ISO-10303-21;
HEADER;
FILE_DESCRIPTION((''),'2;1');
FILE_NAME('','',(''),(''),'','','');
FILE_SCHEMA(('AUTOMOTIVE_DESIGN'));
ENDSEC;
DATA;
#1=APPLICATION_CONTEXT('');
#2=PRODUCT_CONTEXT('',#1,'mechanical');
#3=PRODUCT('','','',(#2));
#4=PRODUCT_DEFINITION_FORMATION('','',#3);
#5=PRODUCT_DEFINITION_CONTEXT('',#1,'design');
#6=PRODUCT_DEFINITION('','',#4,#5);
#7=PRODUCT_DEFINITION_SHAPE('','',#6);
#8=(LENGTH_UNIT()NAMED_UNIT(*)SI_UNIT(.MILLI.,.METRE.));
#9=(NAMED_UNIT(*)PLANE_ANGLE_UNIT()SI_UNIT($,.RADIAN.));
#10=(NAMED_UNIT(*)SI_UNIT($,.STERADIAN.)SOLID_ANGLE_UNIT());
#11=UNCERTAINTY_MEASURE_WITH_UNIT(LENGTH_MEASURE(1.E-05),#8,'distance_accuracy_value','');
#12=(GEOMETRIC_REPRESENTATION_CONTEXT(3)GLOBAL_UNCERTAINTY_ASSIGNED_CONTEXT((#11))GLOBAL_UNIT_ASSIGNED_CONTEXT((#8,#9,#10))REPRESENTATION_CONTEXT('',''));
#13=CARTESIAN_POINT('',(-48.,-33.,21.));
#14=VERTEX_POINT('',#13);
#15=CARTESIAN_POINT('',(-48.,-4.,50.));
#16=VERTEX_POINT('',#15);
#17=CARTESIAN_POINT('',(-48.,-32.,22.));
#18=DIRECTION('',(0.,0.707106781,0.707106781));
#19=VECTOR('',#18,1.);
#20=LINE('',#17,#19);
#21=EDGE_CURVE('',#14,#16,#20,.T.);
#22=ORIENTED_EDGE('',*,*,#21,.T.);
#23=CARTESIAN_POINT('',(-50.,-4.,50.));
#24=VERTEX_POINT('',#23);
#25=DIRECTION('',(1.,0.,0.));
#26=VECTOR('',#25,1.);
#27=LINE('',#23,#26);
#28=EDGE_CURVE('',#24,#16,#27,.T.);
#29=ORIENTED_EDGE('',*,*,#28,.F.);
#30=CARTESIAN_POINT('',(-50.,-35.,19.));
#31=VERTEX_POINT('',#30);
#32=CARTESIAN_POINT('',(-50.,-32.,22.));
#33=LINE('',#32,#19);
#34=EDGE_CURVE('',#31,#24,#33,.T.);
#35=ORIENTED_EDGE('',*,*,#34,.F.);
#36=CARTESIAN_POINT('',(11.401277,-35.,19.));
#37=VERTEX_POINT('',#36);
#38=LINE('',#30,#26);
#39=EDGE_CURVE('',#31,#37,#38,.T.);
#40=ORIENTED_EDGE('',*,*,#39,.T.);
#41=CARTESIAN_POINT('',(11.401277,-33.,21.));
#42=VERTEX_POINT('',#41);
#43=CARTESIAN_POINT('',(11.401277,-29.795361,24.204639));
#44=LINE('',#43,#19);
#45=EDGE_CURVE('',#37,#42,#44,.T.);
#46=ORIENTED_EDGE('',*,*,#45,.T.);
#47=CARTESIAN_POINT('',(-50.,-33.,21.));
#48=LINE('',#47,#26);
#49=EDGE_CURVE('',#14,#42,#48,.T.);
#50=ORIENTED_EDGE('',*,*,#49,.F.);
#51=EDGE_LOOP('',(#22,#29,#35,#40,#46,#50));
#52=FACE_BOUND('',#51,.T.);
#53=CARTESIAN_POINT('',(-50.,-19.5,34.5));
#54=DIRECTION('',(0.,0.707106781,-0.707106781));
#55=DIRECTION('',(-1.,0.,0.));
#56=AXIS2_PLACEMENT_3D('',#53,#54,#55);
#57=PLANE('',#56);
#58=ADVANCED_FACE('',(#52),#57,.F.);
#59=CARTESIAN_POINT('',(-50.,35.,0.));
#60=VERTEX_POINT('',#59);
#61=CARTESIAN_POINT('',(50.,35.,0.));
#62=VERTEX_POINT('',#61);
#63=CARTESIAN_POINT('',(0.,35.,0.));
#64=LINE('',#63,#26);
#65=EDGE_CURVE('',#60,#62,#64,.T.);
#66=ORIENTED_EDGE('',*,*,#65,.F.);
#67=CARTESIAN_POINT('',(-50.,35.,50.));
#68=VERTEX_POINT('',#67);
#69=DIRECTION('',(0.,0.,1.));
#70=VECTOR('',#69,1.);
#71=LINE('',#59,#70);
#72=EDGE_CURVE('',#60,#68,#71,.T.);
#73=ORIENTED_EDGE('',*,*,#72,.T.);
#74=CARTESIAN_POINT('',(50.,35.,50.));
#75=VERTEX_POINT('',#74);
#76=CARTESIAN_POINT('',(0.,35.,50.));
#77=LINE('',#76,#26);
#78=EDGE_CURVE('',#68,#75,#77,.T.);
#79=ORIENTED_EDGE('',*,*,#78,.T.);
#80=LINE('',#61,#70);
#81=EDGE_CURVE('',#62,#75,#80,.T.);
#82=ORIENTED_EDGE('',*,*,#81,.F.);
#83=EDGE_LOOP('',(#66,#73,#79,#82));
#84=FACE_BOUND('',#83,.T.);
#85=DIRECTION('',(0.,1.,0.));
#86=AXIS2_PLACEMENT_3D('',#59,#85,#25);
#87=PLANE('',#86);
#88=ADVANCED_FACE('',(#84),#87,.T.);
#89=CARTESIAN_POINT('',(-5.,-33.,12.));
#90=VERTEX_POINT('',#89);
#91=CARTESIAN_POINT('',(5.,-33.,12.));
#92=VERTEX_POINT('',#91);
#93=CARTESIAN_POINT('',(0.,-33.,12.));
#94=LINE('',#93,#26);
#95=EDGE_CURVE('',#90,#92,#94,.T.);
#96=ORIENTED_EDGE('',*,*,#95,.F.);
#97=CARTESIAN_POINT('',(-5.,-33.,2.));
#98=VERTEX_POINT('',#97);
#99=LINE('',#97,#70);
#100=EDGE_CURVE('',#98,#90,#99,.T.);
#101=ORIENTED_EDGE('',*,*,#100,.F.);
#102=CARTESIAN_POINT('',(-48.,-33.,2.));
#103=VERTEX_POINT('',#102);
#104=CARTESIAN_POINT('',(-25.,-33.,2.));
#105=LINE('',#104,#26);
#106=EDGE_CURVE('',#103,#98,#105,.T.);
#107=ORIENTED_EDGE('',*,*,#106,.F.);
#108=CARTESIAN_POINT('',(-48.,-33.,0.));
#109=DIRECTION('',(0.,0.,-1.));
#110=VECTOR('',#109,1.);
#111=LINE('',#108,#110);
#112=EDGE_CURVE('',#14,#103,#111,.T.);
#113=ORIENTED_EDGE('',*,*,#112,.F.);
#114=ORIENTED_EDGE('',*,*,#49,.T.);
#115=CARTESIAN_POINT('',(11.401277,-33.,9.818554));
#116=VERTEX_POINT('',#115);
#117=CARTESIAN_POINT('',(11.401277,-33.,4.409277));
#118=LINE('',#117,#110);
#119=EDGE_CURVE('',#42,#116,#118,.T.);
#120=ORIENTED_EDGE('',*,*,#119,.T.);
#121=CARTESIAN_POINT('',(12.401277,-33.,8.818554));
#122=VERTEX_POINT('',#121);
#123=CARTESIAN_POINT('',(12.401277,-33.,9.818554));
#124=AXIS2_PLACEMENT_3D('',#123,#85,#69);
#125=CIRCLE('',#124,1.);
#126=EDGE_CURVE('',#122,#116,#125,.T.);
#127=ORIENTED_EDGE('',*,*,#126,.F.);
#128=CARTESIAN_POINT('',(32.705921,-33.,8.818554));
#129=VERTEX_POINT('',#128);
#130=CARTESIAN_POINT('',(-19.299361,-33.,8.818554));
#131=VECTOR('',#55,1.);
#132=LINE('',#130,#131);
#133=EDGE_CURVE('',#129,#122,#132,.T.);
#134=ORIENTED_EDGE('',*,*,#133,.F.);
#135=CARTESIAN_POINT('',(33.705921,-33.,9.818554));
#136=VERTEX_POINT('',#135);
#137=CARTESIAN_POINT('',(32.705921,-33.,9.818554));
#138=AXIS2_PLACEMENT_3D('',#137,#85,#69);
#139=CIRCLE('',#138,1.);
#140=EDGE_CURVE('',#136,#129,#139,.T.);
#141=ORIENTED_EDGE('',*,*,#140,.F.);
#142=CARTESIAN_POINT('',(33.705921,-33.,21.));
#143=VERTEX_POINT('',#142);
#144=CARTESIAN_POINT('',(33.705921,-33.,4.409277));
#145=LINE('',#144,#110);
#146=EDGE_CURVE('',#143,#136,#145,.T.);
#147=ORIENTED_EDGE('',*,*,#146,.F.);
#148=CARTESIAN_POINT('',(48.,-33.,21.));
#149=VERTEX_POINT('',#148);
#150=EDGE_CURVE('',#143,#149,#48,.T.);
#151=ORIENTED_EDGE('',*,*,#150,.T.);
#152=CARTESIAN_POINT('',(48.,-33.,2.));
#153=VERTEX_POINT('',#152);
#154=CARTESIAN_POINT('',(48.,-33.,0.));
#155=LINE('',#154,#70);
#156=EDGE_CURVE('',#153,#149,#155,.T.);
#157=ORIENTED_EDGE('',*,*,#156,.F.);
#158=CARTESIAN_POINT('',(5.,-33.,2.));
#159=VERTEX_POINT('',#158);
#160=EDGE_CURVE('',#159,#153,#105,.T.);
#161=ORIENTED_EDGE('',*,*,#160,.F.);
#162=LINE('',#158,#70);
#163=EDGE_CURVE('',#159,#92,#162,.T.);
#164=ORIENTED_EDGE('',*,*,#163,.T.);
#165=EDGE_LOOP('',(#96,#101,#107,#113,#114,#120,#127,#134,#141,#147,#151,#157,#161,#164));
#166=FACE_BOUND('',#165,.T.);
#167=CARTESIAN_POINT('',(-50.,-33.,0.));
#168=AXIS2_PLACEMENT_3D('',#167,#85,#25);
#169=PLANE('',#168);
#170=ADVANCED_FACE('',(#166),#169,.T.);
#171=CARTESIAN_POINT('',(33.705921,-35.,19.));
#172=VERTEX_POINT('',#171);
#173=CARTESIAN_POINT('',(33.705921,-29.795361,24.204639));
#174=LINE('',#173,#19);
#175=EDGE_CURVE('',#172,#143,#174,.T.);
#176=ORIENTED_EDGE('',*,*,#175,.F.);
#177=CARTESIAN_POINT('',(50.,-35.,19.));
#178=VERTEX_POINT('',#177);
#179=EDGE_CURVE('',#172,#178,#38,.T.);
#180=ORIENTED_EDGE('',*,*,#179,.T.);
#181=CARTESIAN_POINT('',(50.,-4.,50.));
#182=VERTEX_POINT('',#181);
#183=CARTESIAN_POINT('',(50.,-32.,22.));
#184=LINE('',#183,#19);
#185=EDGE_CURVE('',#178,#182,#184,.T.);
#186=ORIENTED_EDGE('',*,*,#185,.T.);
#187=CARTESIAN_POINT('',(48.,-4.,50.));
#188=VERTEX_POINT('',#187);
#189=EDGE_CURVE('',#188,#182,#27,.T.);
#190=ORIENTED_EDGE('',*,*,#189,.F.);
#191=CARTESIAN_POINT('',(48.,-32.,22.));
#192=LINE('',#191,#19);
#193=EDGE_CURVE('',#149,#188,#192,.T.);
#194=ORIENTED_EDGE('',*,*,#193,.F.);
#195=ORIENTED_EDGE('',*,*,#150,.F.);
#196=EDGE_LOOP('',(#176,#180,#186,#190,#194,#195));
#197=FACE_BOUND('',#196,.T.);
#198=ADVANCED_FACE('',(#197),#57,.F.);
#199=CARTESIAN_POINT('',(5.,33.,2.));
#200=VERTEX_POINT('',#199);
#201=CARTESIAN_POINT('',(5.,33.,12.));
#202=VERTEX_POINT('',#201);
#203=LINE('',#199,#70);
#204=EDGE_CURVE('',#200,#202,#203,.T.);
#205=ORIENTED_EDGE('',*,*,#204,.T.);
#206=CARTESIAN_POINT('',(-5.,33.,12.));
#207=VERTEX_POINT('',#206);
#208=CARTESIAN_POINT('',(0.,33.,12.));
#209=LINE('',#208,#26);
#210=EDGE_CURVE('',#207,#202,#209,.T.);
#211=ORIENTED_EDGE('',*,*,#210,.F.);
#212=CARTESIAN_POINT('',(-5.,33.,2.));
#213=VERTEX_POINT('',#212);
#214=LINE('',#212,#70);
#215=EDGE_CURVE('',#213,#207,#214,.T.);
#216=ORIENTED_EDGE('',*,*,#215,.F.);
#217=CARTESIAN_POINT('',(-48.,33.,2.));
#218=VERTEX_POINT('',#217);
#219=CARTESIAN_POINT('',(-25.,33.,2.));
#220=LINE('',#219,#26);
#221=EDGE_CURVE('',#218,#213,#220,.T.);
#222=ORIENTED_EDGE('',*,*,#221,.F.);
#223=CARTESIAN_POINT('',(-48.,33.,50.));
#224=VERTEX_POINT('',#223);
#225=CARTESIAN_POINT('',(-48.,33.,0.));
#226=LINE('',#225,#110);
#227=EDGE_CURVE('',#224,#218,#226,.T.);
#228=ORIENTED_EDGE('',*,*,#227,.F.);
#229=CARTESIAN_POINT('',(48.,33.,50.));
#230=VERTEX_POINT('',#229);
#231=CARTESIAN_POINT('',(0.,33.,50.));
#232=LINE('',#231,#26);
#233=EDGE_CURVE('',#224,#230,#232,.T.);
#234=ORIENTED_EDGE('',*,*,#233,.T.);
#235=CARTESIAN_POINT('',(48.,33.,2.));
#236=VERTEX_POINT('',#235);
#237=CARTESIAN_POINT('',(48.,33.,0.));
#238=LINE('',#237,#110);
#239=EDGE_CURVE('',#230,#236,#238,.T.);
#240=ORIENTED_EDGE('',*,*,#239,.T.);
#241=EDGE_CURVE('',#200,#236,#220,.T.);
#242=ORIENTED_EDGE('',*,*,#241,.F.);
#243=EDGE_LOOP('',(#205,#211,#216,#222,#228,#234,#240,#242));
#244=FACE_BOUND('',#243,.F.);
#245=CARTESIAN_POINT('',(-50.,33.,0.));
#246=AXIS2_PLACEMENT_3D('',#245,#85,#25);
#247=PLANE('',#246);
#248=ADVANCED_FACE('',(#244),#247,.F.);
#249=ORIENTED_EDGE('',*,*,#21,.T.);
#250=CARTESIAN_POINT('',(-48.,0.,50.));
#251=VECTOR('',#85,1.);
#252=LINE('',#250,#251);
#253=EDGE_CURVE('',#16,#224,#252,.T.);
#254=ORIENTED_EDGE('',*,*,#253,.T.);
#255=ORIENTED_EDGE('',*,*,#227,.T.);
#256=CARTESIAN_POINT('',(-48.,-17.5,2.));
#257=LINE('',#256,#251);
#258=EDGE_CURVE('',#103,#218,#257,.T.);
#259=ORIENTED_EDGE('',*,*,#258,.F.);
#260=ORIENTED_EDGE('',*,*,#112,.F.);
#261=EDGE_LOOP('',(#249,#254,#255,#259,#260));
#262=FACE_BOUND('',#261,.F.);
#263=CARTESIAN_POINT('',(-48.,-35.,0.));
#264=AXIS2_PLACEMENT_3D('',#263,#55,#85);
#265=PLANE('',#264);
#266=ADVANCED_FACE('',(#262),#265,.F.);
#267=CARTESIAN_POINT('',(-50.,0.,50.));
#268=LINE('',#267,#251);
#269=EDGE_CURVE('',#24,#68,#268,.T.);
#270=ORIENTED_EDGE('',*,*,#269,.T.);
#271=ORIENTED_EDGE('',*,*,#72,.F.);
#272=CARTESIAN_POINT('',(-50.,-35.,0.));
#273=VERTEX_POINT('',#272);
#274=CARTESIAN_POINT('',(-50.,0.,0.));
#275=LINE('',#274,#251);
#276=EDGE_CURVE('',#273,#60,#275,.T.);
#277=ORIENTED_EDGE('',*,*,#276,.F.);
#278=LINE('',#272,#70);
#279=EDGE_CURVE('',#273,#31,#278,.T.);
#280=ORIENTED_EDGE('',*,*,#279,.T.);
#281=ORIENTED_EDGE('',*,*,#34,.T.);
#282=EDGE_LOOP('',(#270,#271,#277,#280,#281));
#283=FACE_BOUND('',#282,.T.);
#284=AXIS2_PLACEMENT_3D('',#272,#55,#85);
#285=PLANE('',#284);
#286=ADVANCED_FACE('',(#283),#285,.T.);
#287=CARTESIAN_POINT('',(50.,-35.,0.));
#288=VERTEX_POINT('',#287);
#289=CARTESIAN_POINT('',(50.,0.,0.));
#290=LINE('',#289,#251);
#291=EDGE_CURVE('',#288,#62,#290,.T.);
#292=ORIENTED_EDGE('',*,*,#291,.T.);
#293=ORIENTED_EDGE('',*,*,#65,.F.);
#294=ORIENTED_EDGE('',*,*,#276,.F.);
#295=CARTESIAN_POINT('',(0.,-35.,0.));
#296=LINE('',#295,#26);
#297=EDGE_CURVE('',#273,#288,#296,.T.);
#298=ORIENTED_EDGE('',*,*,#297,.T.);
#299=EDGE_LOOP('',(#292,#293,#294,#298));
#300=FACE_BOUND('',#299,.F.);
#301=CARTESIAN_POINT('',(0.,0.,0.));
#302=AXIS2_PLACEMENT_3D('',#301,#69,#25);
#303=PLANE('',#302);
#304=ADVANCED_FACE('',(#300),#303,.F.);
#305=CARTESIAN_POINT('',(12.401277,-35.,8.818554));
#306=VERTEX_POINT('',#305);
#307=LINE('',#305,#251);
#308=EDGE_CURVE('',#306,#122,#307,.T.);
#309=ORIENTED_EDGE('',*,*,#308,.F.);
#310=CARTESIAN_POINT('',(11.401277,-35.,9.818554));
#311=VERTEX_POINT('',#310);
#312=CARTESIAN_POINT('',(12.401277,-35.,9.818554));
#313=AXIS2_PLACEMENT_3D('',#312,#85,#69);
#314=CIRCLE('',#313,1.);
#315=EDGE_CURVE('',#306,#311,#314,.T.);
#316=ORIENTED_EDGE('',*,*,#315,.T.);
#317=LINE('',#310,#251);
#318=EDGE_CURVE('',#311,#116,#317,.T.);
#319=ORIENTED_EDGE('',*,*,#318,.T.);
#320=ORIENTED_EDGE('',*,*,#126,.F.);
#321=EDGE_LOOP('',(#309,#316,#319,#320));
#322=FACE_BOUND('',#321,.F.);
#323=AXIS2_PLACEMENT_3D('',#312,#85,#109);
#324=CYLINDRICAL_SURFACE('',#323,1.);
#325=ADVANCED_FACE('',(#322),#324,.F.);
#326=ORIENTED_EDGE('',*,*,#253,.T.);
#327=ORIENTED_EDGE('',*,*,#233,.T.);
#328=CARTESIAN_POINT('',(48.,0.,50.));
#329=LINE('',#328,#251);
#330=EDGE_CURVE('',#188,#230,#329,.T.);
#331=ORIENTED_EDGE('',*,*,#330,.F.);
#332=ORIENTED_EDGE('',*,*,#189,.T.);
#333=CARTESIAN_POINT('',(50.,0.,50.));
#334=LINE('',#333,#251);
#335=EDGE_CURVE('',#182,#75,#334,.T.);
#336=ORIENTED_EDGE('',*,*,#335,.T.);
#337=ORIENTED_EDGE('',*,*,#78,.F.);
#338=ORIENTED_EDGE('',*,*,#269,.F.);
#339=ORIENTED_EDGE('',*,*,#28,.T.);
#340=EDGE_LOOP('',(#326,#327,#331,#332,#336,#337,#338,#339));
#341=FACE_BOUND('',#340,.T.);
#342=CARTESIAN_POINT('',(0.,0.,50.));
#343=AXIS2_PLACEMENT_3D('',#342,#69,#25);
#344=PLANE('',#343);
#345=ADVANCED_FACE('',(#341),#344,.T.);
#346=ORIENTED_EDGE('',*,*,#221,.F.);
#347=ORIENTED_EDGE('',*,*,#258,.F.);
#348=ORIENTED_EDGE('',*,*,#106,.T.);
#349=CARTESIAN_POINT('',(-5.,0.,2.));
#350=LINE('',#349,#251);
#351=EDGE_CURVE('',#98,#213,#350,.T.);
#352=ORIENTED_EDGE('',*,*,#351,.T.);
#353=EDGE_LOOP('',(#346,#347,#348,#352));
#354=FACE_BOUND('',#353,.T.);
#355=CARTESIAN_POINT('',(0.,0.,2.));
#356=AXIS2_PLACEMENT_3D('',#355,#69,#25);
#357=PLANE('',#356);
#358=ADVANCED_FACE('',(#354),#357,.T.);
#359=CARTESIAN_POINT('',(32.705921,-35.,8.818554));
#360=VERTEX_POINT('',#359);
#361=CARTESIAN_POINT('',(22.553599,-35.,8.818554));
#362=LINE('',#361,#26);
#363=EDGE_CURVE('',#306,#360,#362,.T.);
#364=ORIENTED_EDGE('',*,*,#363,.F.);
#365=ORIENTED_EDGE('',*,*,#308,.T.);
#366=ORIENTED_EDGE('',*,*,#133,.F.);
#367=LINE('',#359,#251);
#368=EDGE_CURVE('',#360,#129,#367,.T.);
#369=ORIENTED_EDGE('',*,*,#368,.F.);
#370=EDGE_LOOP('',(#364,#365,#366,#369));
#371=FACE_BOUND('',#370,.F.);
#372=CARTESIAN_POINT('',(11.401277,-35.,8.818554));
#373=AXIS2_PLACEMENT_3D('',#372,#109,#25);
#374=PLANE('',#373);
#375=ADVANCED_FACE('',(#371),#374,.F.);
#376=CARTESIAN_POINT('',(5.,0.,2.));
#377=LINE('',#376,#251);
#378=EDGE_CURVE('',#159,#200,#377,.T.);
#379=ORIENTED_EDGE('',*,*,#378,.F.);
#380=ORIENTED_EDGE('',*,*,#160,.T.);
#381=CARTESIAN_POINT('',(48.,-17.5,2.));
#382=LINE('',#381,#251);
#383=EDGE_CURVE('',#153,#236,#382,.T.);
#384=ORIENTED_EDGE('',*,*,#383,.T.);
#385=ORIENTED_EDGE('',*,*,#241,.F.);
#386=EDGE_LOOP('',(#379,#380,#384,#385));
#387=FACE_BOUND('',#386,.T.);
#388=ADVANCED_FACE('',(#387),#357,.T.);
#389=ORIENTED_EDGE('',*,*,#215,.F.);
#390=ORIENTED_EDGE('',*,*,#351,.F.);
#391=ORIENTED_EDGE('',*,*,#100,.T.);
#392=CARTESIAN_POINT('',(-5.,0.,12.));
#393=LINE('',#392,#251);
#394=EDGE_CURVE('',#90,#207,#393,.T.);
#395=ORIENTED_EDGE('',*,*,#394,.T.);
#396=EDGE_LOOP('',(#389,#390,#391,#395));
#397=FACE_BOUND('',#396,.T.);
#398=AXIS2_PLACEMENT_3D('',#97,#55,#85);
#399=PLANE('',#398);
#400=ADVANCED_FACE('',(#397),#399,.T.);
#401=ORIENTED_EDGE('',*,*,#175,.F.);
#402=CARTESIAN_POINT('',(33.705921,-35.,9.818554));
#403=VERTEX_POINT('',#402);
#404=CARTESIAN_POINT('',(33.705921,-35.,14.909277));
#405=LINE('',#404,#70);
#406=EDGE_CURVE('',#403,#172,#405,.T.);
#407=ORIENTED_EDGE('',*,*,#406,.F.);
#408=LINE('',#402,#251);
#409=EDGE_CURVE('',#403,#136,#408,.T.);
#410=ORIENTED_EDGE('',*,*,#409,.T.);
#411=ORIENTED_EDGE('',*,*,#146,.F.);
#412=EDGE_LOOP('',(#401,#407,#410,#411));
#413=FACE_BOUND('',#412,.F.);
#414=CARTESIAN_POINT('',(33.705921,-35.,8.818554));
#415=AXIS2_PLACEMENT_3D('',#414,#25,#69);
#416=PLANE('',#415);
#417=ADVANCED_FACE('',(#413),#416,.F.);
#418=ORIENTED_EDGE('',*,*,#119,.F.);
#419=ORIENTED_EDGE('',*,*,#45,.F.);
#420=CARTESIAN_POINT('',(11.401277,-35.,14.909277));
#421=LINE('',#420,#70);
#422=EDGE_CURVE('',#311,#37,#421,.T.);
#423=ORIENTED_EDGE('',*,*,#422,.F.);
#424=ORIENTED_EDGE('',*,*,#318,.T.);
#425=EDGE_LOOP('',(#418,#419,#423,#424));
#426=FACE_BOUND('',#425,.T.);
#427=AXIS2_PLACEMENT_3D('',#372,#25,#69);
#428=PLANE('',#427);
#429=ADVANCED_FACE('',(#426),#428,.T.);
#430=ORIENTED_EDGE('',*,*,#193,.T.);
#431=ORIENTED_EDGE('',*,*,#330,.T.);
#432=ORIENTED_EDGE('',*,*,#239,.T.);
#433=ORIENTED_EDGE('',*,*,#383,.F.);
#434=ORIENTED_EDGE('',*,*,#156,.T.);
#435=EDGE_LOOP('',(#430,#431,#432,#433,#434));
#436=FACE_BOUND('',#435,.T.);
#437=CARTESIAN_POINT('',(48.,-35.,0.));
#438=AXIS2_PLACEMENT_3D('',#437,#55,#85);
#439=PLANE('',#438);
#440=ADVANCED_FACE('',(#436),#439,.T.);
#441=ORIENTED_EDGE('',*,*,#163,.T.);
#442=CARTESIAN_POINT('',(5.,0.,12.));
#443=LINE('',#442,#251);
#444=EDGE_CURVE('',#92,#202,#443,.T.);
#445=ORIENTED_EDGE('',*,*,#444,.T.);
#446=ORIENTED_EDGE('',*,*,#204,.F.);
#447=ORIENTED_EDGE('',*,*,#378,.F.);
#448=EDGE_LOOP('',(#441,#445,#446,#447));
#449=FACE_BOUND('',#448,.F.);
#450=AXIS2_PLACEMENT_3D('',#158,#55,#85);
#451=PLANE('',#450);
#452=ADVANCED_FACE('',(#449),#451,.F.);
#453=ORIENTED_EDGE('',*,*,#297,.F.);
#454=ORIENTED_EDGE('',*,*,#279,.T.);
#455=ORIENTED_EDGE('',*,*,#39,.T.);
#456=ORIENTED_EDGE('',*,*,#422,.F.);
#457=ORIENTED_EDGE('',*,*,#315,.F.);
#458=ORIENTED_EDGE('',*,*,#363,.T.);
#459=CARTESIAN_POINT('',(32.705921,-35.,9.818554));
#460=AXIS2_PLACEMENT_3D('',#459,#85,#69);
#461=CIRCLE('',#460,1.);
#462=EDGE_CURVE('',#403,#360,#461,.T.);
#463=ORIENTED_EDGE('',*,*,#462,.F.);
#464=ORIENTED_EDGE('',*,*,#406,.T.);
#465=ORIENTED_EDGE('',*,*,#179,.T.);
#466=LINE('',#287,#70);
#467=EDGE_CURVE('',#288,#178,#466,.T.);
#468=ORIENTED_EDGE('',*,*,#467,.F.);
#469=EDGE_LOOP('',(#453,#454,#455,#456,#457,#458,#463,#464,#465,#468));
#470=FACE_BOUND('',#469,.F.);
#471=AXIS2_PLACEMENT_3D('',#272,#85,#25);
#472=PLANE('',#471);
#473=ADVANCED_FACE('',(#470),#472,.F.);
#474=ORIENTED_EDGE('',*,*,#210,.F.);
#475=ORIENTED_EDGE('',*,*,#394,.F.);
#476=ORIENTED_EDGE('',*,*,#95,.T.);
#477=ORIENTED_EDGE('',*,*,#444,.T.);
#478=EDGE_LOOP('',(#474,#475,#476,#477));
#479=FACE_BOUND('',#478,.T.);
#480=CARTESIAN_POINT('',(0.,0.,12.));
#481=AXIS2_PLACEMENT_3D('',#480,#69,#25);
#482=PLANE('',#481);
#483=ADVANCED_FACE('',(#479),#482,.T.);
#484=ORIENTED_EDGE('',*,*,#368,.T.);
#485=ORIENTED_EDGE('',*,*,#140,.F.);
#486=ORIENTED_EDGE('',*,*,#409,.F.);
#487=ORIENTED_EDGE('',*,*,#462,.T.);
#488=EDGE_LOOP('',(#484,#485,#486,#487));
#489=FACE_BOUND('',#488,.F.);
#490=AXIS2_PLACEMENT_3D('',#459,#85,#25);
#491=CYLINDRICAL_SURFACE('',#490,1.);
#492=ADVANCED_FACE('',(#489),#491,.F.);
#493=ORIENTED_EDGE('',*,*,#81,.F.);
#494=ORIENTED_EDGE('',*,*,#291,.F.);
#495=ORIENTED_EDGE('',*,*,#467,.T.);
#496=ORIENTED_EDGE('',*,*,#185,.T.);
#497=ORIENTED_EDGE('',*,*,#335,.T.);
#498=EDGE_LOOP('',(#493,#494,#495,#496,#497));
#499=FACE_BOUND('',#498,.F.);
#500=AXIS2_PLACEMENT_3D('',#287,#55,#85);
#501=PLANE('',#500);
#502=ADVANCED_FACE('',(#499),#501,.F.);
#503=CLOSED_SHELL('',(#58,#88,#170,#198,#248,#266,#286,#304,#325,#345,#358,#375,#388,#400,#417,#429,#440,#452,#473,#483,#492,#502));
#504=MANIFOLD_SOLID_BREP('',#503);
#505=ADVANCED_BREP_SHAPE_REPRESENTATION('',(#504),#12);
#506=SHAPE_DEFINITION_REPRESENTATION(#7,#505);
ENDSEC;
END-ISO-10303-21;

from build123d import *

# Parameters (mm, degrees)
SKETCH_W     = 100
SKETCH_H     = 70
PAD_DEPTH    = 50
CHAMFER_SIZE = 31
THICKNESS_T  = -2
SKETCH001_W  = 10
SKETCH001_H  = 66
PAD001_DEPTH = 10
SKETCH002_W  = 22.304644
SKETCH002_H  = 12.181445
POCKET_DEPTH = 11
FILLET_R     = 1


with BuildPart() as part:
    # Sketch → Pad (new body)
    with BuildSketch(Plane.XY):
        Rectangle(SKETCH_W, SKETCH_H)
    extrude(amount=PAD_DEPTH)

    # Chamfer
    chamfer_edges = [part.edges().sort_by_distance(p)[0] for p in [
        (0, -35, 50),
    ]]
    chamfer(chamfer_edges, length=CHAMFER_SIZE)

    # Thickness
    thickness_openings = [part.faces().sort_by_distance(p)[0] for p in [
        (0, 15.5, 50),
        (0, -19.5, 34.5),
    ]]
    offset(amount=THICKNESS_T, openings=thickness_openings)

    # Sketch001 (on Face12 of Thickness) → Pad001 (join)
    with BuildSketch(Plane.XY.offset(2)):
        Rectangle(SKETCH001_W, SKETCH001_H)
    extrude(amount=PAD001_DEPTH)

    # Sketch002 (on Face1 of Pad001) → Pocket (cut)
    with BuildSketch(Plane.XZ.offset(35)):
        with Locations((22.553599, 14.909277)):
            Rectangle(SKETCH002_W, SKETCH002_H)
    extrude(amount=-POCKET_DEPTH, mode=Mode.SUBTRACT)

    # Fillet
    fillet_edges = [part.edges().sort_by_distance(p)[0] for p in [
        (33.705921, -34, 8.818555),
        (11.401277, -34, 8.818555),
    ]]
    fillet(fillet_edges, radius=FILLET_R)


solid = part.part
